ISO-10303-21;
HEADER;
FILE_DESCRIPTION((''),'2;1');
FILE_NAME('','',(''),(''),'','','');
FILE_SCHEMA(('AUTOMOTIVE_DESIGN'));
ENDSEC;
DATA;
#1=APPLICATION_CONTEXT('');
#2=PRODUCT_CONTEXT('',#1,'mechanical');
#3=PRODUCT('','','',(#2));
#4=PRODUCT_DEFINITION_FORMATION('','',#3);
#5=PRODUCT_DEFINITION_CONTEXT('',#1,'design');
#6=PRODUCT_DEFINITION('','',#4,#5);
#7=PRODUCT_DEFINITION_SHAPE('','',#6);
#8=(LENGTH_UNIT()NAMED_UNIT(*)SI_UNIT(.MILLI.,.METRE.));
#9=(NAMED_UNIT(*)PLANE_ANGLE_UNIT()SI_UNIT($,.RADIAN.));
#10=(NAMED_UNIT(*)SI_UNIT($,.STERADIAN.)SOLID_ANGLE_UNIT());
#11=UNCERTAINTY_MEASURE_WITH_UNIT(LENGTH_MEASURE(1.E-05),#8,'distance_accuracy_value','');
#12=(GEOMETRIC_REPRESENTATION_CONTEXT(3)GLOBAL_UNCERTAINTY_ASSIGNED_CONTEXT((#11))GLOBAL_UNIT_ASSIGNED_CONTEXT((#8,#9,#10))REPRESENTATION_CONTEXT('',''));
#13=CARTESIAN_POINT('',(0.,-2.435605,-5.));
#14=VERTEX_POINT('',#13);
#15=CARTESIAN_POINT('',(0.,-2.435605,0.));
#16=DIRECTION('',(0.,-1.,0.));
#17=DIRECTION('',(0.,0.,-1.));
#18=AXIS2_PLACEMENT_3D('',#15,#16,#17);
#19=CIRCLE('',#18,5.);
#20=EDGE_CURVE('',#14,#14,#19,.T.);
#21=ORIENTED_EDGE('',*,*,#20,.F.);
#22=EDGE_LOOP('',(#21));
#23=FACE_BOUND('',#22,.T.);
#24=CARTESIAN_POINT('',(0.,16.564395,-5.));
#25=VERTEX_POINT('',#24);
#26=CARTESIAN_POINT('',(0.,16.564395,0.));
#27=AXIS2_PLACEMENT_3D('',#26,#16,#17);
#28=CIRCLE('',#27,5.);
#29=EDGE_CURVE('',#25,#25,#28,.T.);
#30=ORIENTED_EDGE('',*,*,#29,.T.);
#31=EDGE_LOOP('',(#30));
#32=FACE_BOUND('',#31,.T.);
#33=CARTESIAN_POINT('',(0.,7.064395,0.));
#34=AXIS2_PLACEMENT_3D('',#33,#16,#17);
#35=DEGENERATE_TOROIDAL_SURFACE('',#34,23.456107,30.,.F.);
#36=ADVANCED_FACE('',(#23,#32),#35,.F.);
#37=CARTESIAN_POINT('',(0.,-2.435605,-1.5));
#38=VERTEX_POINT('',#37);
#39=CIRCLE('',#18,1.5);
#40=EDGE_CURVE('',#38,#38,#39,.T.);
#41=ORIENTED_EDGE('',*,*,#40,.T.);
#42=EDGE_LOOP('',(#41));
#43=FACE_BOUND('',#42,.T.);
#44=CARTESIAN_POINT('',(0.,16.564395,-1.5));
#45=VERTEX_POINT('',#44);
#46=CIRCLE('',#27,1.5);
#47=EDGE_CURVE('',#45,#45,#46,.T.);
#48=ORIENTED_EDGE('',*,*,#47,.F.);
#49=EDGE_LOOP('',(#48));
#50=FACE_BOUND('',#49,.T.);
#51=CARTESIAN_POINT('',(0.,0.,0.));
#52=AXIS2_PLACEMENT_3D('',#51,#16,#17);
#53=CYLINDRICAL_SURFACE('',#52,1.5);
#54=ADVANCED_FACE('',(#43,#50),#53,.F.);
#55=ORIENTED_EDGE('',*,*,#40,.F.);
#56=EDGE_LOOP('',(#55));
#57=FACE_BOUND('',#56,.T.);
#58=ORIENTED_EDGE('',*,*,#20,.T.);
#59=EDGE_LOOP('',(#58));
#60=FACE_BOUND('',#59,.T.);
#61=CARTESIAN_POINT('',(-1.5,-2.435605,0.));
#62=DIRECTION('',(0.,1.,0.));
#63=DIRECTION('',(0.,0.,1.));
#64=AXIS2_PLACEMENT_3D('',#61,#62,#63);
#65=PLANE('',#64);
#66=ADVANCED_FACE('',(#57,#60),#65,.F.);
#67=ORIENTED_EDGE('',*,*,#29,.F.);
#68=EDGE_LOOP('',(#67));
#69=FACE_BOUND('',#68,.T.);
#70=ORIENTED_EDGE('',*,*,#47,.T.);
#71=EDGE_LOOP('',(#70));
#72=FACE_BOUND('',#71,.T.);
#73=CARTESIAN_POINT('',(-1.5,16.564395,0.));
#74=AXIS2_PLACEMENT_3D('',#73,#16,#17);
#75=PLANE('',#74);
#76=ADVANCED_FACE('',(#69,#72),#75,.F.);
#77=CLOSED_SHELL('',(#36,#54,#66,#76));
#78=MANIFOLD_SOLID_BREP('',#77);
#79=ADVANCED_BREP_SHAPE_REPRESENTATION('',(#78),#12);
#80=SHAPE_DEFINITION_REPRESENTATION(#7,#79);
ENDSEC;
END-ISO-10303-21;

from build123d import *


with BuildPart() as part:
    # 草图1 → 旋转1 (revolve)
    with BuildSketch(Plane.XY, mode=Mode.PRIVATE) as revolve_1_sk:
        with BuildLine():
            Line((-1.5, 16.564395321), (-1.5, -2.435604679))
            Line((-1.5, -2.435604679), (-5, -2.435604679))
            ThreePointArc((-5, -2.435604679), (-6.54389345, 7.064395321), (-5, 16.564395321))
            Line((-5, 16.564395321), (-1.5, 16.564395321))
        make_face()
    revolve(revolve_1_sk.sketch.rotate(Axis((0, 0, 0), (0, 1, 0)), 270), axis=Axis((0, 0, 0), (0, 1, 0)))


solid = part.part
